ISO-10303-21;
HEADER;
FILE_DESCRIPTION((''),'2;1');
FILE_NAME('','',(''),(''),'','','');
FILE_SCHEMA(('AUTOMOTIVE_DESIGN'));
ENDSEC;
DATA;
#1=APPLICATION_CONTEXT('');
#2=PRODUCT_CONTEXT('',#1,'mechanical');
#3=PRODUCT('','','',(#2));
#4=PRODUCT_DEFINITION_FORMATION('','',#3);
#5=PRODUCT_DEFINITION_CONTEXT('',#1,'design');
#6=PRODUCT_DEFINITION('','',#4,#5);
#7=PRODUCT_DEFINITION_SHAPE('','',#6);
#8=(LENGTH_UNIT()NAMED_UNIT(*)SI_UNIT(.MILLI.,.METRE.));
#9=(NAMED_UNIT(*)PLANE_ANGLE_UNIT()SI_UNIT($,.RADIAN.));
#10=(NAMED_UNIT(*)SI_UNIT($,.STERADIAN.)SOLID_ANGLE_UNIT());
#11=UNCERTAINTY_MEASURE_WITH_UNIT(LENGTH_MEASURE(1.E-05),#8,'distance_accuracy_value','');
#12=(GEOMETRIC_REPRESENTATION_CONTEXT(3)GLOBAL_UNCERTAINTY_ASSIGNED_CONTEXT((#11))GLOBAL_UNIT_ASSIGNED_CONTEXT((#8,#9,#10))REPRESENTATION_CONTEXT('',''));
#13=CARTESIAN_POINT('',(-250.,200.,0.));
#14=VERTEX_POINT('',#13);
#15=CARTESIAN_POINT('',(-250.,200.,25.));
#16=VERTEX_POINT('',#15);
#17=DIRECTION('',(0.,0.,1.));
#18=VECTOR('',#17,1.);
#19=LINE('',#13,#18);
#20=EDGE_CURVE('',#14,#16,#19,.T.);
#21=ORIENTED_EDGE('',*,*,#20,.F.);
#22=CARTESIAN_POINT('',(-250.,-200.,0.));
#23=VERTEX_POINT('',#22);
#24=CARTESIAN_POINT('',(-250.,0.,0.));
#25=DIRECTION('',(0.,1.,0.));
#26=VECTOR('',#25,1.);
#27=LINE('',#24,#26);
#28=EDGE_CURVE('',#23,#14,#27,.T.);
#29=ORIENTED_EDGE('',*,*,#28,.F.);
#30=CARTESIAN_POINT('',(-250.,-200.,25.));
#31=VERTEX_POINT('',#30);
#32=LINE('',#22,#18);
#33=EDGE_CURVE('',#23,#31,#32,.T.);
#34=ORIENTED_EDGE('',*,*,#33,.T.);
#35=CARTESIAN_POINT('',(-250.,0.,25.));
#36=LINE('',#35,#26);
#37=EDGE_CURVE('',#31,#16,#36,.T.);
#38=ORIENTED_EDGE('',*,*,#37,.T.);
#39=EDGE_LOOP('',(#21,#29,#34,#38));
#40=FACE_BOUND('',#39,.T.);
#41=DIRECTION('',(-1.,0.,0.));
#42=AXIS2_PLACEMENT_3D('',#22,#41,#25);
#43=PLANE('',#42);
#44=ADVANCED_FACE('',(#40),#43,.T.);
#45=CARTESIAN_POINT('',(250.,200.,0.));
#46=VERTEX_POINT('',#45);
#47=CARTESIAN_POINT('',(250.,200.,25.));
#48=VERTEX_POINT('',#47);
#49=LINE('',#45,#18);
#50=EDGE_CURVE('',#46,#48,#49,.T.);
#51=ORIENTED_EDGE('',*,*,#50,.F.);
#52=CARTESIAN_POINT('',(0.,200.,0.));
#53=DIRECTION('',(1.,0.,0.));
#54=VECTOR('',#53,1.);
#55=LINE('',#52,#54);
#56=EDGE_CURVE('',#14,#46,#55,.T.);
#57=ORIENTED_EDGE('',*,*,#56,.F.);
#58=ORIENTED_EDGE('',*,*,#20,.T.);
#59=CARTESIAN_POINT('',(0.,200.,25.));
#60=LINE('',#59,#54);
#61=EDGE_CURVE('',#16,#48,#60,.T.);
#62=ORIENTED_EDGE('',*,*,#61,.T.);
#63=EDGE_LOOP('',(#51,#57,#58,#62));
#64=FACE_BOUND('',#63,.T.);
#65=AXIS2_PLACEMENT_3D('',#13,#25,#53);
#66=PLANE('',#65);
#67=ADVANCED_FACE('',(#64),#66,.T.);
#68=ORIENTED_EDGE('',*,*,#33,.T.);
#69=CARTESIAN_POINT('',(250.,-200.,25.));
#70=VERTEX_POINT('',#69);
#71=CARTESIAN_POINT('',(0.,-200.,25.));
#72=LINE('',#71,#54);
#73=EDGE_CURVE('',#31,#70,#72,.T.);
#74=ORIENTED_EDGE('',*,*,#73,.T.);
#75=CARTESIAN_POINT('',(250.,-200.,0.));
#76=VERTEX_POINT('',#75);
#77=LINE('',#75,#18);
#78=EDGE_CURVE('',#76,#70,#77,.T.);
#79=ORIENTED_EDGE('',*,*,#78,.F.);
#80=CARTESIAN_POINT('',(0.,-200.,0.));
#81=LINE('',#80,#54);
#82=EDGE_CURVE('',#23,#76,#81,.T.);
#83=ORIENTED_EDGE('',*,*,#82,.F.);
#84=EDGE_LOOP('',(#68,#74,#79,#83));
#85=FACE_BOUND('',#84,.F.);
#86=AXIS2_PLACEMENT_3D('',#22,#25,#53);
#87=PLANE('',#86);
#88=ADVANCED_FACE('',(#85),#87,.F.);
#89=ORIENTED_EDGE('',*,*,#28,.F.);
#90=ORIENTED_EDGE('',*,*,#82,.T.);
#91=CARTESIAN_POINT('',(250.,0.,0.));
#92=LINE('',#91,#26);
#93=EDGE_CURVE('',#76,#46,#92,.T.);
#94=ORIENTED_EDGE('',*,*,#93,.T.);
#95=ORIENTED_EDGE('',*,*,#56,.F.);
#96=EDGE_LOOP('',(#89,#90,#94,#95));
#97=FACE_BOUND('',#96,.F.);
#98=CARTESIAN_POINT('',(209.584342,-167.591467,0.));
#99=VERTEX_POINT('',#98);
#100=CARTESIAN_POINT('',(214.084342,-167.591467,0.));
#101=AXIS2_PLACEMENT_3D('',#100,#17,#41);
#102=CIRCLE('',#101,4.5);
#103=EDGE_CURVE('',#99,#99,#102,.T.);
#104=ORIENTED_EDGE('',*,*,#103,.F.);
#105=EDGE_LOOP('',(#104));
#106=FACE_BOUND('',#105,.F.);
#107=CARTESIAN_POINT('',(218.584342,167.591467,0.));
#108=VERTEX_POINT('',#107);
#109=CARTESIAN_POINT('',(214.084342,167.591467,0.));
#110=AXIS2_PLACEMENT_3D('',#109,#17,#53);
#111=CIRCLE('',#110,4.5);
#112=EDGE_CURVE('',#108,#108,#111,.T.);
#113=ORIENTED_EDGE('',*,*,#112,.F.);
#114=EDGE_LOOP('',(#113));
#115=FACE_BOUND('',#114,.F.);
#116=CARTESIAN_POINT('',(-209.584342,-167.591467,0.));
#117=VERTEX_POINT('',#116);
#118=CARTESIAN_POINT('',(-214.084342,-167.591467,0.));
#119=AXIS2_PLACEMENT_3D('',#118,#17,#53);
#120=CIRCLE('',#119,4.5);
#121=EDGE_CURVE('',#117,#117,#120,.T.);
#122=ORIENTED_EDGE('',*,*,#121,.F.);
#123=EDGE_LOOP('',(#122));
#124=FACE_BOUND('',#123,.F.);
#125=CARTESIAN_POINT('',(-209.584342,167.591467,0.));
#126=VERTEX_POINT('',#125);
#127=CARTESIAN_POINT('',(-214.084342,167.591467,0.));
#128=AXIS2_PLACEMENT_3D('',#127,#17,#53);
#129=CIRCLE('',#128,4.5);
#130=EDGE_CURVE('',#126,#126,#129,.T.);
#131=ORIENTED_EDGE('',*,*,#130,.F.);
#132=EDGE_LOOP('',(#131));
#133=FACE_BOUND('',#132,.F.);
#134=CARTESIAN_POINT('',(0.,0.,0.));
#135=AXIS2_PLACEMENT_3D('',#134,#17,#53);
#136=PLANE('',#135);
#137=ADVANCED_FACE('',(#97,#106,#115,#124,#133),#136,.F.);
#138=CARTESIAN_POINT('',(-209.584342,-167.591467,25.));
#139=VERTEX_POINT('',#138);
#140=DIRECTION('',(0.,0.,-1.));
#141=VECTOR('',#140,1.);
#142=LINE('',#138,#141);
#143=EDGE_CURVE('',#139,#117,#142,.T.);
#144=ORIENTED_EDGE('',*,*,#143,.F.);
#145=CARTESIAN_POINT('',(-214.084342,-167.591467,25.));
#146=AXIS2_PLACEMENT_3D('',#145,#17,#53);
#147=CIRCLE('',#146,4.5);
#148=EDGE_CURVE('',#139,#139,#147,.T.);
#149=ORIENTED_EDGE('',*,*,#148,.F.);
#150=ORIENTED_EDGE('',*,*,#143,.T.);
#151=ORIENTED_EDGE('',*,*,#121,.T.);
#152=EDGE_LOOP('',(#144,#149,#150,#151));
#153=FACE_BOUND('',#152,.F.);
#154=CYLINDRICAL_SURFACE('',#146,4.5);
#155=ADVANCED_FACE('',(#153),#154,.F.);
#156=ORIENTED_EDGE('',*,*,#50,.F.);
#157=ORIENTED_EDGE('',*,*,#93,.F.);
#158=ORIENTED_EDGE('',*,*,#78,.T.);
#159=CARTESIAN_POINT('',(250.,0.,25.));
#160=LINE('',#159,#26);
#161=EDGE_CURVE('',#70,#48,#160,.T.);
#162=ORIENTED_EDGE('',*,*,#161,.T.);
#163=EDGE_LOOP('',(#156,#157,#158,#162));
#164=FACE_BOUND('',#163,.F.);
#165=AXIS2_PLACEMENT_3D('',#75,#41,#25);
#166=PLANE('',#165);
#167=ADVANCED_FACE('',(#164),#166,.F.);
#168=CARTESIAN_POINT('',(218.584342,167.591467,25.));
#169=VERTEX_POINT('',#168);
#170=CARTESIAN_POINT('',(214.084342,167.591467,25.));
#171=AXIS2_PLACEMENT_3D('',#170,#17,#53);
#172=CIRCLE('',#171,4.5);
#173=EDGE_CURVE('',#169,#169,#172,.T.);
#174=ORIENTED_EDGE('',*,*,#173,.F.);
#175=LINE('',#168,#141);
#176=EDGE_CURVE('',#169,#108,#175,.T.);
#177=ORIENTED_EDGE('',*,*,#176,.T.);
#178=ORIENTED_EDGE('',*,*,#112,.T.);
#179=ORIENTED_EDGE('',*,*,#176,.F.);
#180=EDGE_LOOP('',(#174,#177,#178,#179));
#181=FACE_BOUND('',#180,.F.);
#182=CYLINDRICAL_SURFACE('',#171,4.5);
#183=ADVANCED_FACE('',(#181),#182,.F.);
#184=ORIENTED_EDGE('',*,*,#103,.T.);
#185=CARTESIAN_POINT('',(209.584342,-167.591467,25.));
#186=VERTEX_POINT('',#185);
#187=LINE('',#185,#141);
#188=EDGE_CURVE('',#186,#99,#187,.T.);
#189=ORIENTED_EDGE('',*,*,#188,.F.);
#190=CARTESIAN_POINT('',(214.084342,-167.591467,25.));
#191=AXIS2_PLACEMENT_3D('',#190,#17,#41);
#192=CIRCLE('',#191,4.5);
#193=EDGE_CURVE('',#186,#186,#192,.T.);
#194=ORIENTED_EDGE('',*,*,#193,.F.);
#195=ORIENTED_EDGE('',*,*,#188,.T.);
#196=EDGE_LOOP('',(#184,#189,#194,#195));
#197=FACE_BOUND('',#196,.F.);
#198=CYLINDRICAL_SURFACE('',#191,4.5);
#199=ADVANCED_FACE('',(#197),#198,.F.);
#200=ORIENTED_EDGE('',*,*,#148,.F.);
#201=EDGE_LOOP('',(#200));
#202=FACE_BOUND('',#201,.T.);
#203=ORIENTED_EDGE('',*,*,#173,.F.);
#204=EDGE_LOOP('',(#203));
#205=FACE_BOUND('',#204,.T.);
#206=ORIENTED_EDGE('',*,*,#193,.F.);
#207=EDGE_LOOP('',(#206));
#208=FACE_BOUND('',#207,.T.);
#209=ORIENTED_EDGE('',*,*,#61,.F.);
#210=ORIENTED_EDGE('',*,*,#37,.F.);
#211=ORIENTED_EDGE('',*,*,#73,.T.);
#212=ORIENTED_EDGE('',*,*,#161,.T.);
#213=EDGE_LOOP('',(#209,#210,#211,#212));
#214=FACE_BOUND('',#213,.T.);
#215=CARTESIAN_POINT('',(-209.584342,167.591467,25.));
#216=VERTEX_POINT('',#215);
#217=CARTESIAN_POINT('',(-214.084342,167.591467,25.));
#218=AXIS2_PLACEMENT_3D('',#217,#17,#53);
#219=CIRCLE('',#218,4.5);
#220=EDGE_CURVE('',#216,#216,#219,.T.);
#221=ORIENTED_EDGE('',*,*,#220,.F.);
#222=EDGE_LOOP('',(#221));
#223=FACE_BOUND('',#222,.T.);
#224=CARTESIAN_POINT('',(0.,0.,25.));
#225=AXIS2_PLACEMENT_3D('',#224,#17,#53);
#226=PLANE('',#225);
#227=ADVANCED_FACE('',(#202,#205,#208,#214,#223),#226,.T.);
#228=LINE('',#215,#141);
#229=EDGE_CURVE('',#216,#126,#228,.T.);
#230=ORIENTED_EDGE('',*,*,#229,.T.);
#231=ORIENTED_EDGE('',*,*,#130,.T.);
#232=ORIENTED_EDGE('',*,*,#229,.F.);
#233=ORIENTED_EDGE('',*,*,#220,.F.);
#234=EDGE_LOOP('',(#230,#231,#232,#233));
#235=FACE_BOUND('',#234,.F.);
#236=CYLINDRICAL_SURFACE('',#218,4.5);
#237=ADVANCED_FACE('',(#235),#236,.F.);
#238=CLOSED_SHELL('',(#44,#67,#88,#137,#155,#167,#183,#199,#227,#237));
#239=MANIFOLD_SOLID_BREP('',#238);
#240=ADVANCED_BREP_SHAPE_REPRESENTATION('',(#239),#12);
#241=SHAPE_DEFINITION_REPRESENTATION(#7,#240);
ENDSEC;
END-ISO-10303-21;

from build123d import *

# Parameters (mm, degrees)
F0_W     = 500
F0_H     = 400
F1_DEPTH = 25
F2_R     = 4.5
F3_DEPTH = 25.001


with BuildPart() as f1:
    # F0 (on Top) → F1 (new body)
    with BuildSketch(Plane.XY):
        Rectangle(F0_W, F0_H)
    extrude(amount=F1_DEPTH)

    # F2 (on face) → F3 (cut, through all)
    with BuildSketch(Plane.XY.offset(25)):
        with Locations((-214.084342, 167.591467)):
            Circle(F2_R)
        with Locations((214.084342, 167.591467)):
            Circle(F2_R)
        with Locations((-214.084342, -167.591467)):
            Circle(F2_R)
        with BuildLine():
            ThreePointArc((218.584342, -167.591467), (214.084342, -163.091467), (209.584342, -167.591467))
            ThreePointArc((209.584342, -167.591467), (214.084342, -172.091467), (218.584342, -167.591467))
        make_face()
    extrude(amount=-F3_DEPTH, mode=Mode.SUBTRACT)


solid = f1.part
